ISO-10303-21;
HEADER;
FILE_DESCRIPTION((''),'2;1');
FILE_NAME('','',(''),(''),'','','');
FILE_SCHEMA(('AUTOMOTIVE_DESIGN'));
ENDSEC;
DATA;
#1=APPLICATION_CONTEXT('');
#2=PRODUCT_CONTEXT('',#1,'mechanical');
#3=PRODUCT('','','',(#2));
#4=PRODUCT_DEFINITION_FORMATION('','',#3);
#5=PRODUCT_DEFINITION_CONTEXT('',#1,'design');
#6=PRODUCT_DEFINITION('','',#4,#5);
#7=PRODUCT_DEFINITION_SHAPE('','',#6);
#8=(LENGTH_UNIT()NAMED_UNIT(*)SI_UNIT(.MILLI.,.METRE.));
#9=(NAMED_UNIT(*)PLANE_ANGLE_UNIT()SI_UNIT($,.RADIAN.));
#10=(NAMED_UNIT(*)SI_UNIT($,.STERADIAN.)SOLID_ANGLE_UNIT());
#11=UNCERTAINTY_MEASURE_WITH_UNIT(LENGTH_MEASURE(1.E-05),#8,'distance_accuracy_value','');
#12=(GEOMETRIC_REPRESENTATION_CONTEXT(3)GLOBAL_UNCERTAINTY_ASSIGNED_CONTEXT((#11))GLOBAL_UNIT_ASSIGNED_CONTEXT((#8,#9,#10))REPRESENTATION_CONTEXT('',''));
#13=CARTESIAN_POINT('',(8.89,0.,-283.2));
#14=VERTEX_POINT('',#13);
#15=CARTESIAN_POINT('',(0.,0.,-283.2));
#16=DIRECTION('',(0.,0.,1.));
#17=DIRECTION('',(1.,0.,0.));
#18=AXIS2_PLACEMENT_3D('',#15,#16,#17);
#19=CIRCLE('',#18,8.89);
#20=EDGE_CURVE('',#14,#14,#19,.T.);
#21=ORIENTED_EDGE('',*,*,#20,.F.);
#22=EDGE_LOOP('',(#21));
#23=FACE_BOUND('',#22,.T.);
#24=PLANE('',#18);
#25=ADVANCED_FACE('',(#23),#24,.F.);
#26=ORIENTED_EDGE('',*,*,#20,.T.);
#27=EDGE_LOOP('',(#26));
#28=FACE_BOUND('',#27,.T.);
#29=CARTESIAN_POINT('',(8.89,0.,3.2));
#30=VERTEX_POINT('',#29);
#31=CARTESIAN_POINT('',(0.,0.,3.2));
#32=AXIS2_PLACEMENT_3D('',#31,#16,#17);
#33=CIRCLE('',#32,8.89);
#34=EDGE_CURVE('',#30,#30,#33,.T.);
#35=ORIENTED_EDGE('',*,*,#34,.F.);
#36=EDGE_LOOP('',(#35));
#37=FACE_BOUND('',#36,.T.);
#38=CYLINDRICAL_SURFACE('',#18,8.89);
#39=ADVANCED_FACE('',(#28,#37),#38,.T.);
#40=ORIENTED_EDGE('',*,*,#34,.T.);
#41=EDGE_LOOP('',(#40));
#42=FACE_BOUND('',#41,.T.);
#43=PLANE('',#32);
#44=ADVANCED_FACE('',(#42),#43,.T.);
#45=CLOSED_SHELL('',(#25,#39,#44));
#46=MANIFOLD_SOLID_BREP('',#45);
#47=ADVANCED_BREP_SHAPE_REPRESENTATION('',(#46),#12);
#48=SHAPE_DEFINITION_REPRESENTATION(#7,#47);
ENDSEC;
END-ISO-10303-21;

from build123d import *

# Parameters (mm, degrees)
BOSS_EXTRUDE1_DEPTH      = 3.2
BOSS_EXTRUDE1_DEPTH_BACK = 283.2
SKETCH1_R                = 8.89


with BuildPart() as part:
    # Sketch1 → Boss-Extrude1 (new, two sides: drawn at the far end of the back side and taken through both)
    with BuildSketch(Plane.XY.offset(-BOSS_EXTRUDE1_DEPTH_BACK)):
        Circle(SKETCH1_R)
    extrude(amount=BOSS_EXTRUDE1_DEPTH + BOSS_EXTRUDE1_DEPTH_BACK)


solid = part.part
